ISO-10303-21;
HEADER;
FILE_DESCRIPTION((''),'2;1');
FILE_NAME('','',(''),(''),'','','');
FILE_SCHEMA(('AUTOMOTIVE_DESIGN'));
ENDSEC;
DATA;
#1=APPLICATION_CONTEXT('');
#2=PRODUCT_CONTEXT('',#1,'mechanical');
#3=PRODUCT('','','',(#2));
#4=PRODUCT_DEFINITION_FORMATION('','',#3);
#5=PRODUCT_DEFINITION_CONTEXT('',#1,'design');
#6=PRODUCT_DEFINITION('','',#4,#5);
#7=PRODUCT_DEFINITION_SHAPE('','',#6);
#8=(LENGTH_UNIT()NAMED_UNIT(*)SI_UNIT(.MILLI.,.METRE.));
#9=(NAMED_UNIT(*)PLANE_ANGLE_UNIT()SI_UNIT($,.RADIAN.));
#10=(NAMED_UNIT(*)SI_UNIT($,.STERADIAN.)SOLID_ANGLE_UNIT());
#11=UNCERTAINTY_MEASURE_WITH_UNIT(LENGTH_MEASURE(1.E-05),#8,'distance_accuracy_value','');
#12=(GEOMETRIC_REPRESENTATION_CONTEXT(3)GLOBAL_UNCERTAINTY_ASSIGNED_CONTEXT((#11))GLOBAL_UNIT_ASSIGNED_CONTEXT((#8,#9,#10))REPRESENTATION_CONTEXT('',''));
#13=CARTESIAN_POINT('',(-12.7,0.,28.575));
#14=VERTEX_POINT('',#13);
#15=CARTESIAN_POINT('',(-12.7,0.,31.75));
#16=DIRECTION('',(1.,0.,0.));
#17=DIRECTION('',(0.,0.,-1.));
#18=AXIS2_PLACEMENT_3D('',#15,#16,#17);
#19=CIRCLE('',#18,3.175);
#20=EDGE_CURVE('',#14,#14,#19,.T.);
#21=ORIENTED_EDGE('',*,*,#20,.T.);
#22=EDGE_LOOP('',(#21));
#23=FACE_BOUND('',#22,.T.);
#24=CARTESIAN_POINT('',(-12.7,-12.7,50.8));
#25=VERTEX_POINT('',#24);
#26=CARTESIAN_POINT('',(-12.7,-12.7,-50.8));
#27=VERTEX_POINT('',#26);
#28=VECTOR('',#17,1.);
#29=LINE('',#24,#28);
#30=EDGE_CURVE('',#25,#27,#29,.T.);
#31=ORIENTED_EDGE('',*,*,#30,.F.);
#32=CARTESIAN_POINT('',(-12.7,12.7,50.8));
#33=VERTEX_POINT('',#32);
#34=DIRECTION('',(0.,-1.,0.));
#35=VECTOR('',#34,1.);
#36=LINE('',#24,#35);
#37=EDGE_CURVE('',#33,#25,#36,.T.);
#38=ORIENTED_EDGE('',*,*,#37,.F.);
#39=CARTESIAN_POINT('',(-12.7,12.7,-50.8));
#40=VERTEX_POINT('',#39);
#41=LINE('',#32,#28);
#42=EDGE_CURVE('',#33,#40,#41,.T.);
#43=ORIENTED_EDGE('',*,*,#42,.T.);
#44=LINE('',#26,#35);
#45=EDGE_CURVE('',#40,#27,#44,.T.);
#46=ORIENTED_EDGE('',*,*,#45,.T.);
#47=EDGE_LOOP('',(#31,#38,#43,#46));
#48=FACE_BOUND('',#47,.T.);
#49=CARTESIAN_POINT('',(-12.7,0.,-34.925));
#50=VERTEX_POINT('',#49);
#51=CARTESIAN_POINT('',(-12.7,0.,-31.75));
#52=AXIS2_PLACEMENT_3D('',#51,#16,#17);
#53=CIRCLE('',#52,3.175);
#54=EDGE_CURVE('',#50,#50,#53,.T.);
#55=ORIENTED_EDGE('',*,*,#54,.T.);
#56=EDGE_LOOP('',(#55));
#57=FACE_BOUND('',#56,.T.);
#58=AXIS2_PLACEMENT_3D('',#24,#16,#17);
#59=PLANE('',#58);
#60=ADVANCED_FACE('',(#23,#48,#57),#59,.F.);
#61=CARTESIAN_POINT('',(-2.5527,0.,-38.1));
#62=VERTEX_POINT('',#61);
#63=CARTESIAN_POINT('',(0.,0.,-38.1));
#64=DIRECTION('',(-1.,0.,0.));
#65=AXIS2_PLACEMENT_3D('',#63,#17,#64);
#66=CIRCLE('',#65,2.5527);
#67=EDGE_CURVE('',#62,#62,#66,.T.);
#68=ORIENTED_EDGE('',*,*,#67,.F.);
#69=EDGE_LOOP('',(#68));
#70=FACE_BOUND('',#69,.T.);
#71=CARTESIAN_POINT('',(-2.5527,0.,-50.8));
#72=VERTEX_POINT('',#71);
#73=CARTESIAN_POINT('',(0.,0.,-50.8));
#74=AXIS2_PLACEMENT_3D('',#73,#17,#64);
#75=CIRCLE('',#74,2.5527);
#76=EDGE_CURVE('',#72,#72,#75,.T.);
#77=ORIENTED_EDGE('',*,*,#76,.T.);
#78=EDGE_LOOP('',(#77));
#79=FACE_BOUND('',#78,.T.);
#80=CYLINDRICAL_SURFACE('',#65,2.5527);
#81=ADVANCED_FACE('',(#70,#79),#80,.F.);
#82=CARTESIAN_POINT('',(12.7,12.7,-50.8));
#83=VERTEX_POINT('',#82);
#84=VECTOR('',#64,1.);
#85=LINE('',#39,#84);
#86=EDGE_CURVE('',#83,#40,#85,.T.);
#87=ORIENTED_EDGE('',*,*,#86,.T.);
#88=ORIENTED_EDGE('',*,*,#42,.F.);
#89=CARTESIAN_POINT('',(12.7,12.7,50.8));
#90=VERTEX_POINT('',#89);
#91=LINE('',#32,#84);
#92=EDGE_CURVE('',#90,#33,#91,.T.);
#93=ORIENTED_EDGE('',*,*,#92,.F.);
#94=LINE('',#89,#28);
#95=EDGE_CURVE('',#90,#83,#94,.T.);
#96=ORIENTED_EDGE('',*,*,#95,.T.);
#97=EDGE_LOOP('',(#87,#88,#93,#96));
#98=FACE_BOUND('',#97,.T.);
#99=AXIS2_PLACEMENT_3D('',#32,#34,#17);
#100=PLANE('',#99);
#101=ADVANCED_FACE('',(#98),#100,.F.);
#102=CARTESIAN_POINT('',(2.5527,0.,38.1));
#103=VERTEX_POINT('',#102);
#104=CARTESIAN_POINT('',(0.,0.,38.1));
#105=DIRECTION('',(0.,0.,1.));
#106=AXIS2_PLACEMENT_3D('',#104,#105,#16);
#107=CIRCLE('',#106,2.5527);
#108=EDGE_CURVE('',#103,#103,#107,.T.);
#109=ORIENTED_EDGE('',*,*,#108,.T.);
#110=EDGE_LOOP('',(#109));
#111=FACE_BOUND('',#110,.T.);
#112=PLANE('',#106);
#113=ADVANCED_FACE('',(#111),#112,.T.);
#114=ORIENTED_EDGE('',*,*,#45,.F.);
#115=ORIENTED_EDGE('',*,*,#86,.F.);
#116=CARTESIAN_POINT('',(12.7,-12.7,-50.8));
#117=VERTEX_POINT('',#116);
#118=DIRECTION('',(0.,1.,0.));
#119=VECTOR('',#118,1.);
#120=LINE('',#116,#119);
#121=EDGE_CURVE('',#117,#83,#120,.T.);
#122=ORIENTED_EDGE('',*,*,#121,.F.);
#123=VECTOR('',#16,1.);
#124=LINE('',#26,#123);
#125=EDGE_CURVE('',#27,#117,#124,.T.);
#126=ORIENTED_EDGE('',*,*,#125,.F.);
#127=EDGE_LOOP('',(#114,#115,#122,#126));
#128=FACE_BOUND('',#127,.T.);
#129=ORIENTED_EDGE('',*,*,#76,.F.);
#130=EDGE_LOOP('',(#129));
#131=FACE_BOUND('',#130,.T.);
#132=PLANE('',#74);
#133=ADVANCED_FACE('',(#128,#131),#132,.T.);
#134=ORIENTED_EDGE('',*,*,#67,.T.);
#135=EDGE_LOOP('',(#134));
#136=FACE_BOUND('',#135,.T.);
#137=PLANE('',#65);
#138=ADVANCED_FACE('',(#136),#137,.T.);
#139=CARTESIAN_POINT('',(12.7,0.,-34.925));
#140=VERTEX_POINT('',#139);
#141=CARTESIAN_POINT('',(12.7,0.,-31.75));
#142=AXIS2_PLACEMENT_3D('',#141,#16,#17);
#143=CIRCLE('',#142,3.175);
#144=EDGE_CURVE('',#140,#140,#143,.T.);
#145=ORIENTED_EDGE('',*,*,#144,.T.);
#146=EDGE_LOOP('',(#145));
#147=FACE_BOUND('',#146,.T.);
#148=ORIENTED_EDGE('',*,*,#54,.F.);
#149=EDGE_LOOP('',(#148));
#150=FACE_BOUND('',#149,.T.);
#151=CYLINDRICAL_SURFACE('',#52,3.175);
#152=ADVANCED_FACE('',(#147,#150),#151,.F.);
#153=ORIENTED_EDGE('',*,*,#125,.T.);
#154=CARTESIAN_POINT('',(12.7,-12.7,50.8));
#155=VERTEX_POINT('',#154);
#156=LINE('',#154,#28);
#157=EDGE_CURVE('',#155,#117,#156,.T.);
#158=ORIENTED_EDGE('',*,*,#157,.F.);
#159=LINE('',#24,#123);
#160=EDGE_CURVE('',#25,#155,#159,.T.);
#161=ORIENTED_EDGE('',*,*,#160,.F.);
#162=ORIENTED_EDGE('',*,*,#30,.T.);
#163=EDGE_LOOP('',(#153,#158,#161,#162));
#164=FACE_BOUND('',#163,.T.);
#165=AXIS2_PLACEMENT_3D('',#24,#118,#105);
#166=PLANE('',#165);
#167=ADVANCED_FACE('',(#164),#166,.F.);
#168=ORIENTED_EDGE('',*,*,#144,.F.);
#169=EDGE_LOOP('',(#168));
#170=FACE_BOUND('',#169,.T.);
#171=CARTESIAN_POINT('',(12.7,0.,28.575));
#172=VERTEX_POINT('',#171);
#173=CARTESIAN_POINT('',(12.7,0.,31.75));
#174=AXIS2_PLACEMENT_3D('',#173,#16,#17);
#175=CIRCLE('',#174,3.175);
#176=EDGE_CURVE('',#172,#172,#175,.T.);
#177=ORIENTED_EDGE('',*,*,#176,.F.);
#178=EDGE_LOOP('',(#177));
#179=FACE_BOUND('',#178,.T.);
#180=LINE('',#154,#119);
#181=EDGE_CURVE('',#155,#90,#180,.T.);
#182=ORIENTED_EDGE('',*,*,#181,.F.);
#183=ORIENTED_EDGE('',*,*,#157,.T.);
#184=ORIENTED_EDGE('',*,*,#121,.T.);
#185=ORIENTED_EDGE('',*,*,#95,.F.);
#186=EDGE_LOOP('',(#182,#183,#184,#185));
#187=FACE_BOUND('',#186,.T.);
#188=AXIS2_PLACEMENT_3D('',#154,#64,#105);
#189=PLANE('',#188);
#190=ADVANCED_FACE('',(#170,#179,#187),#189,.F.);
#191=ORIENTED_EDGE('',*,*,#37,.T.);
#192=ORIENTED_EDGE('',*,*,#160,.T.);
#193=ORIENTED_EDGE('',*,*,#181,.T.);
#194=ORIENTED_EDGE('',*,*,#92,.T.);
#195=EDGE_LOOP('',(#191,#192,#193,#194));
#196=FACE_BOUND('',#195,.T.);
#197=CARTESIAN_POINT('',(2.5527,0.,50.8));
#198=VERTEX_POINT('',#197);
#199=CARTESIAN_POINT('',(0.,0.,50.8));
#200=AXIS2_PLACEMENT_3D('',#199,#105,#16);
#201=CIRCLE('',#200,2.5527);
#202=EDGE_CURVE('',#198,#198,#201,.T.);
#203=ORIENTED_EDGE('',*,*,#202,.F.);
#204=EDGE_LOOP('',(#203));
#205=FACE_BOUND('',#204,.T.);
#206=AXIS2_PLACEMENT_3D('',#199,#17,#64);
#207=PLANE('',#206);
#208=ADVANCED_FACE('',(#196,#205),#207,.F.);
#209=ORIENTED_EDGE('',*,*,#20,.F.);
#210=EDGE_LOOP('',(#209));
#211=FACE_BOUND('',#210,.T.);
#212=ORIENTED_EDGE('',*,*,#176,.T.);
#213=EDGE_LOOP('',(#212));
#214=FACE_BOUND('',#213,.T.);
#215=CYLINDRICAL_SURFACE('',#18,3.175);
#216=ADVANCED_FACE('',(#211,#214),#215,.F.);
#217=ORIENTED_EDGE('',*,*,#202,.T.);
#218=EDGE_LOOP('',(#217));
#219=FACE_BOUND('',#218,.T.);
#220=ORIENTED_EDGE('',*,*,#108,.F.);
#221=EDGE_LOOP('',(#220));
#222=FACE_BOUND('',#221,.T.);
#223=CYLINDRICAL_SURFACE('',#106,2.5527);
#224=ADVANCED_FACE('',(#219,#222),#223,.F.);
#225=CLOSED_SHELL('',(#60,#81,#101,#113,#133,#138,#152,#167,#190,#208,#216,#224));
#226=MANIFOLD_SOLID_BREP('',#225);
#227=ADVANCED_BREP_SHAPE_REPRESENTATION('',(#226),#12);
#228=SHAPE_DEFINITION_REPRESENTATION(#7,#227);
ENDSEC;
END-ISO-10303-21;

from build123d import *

# Parameters (mm, degrees)
SKETCH1_W           = 25.4
SKETCH1_H           = 25.4
BOSS_EXTRUDE1_DEPTH = 50.8
SKETCH2_R           = 2.5527
CUT_EXTRUDE1_DEPTH  = 12.7
CUT_EXTRUDE2_START  = -12.7
SKETCH3_R           = 2.5527
CUT_EXTRUDE2_DEPTH  = 12.7
SKETCH4_R           = 3.175
CUT_EXTRUDE3_DEPTH  = 59.198711326


with BuildPart() as part:
    # Sketch1 → Boss-Extrude1 (new, symmetric)
    with BuildSketch(Plane.XY):
        Rectangle(SKETCH1_W, SKETCH1_H)
    extrude(amount=BOSS_EXTRUDE1_DEPTH, both=True)

    # Sketch2 → Cut-Extrude1 (cut)
    with BuildSketch(Plane.XY.offset(50.8)):
        Circle(SKETCH2_R)
    extrude(amount=-CUT_EXTRUDE1_DEPTH, mode=Mode.SUBTRACT)

    # Sketch3 → Cut-Extrude2 (cut)
    with BuildSketch(Plane(origin=(0, 0, -50.8), x_dir=(-1, 0, 0), z_dir=(0, 0, -1)).offset(CUT_EXTRUDE2_START)):
        with Locations(Location((0, 0, 0), (0, 0, 180))):
            Circle(SKETCH3_R)
    extrude(amount=CUT_EXTRUDE2_DEPTH, mode=Mode.SUBTRACT)

    # Sketch4 → Cut-Extrude3 (cut, through all)
    with BuildSketch(Plane(origin=(12.7, 0, 0), x_dir=(0, 0, -1), z_dir=(1, 0, 0))):
        with Locations((-31.75, 0)):
            Circle(SKETCH4_R)
        with Locations((31.75, 0)):
            Circle(SKETCH4_R)
    extrude(amount=-CUT_EXTRUDE3_DEPTH, mode=Mode.SUBTRACT)


solid = part.part
